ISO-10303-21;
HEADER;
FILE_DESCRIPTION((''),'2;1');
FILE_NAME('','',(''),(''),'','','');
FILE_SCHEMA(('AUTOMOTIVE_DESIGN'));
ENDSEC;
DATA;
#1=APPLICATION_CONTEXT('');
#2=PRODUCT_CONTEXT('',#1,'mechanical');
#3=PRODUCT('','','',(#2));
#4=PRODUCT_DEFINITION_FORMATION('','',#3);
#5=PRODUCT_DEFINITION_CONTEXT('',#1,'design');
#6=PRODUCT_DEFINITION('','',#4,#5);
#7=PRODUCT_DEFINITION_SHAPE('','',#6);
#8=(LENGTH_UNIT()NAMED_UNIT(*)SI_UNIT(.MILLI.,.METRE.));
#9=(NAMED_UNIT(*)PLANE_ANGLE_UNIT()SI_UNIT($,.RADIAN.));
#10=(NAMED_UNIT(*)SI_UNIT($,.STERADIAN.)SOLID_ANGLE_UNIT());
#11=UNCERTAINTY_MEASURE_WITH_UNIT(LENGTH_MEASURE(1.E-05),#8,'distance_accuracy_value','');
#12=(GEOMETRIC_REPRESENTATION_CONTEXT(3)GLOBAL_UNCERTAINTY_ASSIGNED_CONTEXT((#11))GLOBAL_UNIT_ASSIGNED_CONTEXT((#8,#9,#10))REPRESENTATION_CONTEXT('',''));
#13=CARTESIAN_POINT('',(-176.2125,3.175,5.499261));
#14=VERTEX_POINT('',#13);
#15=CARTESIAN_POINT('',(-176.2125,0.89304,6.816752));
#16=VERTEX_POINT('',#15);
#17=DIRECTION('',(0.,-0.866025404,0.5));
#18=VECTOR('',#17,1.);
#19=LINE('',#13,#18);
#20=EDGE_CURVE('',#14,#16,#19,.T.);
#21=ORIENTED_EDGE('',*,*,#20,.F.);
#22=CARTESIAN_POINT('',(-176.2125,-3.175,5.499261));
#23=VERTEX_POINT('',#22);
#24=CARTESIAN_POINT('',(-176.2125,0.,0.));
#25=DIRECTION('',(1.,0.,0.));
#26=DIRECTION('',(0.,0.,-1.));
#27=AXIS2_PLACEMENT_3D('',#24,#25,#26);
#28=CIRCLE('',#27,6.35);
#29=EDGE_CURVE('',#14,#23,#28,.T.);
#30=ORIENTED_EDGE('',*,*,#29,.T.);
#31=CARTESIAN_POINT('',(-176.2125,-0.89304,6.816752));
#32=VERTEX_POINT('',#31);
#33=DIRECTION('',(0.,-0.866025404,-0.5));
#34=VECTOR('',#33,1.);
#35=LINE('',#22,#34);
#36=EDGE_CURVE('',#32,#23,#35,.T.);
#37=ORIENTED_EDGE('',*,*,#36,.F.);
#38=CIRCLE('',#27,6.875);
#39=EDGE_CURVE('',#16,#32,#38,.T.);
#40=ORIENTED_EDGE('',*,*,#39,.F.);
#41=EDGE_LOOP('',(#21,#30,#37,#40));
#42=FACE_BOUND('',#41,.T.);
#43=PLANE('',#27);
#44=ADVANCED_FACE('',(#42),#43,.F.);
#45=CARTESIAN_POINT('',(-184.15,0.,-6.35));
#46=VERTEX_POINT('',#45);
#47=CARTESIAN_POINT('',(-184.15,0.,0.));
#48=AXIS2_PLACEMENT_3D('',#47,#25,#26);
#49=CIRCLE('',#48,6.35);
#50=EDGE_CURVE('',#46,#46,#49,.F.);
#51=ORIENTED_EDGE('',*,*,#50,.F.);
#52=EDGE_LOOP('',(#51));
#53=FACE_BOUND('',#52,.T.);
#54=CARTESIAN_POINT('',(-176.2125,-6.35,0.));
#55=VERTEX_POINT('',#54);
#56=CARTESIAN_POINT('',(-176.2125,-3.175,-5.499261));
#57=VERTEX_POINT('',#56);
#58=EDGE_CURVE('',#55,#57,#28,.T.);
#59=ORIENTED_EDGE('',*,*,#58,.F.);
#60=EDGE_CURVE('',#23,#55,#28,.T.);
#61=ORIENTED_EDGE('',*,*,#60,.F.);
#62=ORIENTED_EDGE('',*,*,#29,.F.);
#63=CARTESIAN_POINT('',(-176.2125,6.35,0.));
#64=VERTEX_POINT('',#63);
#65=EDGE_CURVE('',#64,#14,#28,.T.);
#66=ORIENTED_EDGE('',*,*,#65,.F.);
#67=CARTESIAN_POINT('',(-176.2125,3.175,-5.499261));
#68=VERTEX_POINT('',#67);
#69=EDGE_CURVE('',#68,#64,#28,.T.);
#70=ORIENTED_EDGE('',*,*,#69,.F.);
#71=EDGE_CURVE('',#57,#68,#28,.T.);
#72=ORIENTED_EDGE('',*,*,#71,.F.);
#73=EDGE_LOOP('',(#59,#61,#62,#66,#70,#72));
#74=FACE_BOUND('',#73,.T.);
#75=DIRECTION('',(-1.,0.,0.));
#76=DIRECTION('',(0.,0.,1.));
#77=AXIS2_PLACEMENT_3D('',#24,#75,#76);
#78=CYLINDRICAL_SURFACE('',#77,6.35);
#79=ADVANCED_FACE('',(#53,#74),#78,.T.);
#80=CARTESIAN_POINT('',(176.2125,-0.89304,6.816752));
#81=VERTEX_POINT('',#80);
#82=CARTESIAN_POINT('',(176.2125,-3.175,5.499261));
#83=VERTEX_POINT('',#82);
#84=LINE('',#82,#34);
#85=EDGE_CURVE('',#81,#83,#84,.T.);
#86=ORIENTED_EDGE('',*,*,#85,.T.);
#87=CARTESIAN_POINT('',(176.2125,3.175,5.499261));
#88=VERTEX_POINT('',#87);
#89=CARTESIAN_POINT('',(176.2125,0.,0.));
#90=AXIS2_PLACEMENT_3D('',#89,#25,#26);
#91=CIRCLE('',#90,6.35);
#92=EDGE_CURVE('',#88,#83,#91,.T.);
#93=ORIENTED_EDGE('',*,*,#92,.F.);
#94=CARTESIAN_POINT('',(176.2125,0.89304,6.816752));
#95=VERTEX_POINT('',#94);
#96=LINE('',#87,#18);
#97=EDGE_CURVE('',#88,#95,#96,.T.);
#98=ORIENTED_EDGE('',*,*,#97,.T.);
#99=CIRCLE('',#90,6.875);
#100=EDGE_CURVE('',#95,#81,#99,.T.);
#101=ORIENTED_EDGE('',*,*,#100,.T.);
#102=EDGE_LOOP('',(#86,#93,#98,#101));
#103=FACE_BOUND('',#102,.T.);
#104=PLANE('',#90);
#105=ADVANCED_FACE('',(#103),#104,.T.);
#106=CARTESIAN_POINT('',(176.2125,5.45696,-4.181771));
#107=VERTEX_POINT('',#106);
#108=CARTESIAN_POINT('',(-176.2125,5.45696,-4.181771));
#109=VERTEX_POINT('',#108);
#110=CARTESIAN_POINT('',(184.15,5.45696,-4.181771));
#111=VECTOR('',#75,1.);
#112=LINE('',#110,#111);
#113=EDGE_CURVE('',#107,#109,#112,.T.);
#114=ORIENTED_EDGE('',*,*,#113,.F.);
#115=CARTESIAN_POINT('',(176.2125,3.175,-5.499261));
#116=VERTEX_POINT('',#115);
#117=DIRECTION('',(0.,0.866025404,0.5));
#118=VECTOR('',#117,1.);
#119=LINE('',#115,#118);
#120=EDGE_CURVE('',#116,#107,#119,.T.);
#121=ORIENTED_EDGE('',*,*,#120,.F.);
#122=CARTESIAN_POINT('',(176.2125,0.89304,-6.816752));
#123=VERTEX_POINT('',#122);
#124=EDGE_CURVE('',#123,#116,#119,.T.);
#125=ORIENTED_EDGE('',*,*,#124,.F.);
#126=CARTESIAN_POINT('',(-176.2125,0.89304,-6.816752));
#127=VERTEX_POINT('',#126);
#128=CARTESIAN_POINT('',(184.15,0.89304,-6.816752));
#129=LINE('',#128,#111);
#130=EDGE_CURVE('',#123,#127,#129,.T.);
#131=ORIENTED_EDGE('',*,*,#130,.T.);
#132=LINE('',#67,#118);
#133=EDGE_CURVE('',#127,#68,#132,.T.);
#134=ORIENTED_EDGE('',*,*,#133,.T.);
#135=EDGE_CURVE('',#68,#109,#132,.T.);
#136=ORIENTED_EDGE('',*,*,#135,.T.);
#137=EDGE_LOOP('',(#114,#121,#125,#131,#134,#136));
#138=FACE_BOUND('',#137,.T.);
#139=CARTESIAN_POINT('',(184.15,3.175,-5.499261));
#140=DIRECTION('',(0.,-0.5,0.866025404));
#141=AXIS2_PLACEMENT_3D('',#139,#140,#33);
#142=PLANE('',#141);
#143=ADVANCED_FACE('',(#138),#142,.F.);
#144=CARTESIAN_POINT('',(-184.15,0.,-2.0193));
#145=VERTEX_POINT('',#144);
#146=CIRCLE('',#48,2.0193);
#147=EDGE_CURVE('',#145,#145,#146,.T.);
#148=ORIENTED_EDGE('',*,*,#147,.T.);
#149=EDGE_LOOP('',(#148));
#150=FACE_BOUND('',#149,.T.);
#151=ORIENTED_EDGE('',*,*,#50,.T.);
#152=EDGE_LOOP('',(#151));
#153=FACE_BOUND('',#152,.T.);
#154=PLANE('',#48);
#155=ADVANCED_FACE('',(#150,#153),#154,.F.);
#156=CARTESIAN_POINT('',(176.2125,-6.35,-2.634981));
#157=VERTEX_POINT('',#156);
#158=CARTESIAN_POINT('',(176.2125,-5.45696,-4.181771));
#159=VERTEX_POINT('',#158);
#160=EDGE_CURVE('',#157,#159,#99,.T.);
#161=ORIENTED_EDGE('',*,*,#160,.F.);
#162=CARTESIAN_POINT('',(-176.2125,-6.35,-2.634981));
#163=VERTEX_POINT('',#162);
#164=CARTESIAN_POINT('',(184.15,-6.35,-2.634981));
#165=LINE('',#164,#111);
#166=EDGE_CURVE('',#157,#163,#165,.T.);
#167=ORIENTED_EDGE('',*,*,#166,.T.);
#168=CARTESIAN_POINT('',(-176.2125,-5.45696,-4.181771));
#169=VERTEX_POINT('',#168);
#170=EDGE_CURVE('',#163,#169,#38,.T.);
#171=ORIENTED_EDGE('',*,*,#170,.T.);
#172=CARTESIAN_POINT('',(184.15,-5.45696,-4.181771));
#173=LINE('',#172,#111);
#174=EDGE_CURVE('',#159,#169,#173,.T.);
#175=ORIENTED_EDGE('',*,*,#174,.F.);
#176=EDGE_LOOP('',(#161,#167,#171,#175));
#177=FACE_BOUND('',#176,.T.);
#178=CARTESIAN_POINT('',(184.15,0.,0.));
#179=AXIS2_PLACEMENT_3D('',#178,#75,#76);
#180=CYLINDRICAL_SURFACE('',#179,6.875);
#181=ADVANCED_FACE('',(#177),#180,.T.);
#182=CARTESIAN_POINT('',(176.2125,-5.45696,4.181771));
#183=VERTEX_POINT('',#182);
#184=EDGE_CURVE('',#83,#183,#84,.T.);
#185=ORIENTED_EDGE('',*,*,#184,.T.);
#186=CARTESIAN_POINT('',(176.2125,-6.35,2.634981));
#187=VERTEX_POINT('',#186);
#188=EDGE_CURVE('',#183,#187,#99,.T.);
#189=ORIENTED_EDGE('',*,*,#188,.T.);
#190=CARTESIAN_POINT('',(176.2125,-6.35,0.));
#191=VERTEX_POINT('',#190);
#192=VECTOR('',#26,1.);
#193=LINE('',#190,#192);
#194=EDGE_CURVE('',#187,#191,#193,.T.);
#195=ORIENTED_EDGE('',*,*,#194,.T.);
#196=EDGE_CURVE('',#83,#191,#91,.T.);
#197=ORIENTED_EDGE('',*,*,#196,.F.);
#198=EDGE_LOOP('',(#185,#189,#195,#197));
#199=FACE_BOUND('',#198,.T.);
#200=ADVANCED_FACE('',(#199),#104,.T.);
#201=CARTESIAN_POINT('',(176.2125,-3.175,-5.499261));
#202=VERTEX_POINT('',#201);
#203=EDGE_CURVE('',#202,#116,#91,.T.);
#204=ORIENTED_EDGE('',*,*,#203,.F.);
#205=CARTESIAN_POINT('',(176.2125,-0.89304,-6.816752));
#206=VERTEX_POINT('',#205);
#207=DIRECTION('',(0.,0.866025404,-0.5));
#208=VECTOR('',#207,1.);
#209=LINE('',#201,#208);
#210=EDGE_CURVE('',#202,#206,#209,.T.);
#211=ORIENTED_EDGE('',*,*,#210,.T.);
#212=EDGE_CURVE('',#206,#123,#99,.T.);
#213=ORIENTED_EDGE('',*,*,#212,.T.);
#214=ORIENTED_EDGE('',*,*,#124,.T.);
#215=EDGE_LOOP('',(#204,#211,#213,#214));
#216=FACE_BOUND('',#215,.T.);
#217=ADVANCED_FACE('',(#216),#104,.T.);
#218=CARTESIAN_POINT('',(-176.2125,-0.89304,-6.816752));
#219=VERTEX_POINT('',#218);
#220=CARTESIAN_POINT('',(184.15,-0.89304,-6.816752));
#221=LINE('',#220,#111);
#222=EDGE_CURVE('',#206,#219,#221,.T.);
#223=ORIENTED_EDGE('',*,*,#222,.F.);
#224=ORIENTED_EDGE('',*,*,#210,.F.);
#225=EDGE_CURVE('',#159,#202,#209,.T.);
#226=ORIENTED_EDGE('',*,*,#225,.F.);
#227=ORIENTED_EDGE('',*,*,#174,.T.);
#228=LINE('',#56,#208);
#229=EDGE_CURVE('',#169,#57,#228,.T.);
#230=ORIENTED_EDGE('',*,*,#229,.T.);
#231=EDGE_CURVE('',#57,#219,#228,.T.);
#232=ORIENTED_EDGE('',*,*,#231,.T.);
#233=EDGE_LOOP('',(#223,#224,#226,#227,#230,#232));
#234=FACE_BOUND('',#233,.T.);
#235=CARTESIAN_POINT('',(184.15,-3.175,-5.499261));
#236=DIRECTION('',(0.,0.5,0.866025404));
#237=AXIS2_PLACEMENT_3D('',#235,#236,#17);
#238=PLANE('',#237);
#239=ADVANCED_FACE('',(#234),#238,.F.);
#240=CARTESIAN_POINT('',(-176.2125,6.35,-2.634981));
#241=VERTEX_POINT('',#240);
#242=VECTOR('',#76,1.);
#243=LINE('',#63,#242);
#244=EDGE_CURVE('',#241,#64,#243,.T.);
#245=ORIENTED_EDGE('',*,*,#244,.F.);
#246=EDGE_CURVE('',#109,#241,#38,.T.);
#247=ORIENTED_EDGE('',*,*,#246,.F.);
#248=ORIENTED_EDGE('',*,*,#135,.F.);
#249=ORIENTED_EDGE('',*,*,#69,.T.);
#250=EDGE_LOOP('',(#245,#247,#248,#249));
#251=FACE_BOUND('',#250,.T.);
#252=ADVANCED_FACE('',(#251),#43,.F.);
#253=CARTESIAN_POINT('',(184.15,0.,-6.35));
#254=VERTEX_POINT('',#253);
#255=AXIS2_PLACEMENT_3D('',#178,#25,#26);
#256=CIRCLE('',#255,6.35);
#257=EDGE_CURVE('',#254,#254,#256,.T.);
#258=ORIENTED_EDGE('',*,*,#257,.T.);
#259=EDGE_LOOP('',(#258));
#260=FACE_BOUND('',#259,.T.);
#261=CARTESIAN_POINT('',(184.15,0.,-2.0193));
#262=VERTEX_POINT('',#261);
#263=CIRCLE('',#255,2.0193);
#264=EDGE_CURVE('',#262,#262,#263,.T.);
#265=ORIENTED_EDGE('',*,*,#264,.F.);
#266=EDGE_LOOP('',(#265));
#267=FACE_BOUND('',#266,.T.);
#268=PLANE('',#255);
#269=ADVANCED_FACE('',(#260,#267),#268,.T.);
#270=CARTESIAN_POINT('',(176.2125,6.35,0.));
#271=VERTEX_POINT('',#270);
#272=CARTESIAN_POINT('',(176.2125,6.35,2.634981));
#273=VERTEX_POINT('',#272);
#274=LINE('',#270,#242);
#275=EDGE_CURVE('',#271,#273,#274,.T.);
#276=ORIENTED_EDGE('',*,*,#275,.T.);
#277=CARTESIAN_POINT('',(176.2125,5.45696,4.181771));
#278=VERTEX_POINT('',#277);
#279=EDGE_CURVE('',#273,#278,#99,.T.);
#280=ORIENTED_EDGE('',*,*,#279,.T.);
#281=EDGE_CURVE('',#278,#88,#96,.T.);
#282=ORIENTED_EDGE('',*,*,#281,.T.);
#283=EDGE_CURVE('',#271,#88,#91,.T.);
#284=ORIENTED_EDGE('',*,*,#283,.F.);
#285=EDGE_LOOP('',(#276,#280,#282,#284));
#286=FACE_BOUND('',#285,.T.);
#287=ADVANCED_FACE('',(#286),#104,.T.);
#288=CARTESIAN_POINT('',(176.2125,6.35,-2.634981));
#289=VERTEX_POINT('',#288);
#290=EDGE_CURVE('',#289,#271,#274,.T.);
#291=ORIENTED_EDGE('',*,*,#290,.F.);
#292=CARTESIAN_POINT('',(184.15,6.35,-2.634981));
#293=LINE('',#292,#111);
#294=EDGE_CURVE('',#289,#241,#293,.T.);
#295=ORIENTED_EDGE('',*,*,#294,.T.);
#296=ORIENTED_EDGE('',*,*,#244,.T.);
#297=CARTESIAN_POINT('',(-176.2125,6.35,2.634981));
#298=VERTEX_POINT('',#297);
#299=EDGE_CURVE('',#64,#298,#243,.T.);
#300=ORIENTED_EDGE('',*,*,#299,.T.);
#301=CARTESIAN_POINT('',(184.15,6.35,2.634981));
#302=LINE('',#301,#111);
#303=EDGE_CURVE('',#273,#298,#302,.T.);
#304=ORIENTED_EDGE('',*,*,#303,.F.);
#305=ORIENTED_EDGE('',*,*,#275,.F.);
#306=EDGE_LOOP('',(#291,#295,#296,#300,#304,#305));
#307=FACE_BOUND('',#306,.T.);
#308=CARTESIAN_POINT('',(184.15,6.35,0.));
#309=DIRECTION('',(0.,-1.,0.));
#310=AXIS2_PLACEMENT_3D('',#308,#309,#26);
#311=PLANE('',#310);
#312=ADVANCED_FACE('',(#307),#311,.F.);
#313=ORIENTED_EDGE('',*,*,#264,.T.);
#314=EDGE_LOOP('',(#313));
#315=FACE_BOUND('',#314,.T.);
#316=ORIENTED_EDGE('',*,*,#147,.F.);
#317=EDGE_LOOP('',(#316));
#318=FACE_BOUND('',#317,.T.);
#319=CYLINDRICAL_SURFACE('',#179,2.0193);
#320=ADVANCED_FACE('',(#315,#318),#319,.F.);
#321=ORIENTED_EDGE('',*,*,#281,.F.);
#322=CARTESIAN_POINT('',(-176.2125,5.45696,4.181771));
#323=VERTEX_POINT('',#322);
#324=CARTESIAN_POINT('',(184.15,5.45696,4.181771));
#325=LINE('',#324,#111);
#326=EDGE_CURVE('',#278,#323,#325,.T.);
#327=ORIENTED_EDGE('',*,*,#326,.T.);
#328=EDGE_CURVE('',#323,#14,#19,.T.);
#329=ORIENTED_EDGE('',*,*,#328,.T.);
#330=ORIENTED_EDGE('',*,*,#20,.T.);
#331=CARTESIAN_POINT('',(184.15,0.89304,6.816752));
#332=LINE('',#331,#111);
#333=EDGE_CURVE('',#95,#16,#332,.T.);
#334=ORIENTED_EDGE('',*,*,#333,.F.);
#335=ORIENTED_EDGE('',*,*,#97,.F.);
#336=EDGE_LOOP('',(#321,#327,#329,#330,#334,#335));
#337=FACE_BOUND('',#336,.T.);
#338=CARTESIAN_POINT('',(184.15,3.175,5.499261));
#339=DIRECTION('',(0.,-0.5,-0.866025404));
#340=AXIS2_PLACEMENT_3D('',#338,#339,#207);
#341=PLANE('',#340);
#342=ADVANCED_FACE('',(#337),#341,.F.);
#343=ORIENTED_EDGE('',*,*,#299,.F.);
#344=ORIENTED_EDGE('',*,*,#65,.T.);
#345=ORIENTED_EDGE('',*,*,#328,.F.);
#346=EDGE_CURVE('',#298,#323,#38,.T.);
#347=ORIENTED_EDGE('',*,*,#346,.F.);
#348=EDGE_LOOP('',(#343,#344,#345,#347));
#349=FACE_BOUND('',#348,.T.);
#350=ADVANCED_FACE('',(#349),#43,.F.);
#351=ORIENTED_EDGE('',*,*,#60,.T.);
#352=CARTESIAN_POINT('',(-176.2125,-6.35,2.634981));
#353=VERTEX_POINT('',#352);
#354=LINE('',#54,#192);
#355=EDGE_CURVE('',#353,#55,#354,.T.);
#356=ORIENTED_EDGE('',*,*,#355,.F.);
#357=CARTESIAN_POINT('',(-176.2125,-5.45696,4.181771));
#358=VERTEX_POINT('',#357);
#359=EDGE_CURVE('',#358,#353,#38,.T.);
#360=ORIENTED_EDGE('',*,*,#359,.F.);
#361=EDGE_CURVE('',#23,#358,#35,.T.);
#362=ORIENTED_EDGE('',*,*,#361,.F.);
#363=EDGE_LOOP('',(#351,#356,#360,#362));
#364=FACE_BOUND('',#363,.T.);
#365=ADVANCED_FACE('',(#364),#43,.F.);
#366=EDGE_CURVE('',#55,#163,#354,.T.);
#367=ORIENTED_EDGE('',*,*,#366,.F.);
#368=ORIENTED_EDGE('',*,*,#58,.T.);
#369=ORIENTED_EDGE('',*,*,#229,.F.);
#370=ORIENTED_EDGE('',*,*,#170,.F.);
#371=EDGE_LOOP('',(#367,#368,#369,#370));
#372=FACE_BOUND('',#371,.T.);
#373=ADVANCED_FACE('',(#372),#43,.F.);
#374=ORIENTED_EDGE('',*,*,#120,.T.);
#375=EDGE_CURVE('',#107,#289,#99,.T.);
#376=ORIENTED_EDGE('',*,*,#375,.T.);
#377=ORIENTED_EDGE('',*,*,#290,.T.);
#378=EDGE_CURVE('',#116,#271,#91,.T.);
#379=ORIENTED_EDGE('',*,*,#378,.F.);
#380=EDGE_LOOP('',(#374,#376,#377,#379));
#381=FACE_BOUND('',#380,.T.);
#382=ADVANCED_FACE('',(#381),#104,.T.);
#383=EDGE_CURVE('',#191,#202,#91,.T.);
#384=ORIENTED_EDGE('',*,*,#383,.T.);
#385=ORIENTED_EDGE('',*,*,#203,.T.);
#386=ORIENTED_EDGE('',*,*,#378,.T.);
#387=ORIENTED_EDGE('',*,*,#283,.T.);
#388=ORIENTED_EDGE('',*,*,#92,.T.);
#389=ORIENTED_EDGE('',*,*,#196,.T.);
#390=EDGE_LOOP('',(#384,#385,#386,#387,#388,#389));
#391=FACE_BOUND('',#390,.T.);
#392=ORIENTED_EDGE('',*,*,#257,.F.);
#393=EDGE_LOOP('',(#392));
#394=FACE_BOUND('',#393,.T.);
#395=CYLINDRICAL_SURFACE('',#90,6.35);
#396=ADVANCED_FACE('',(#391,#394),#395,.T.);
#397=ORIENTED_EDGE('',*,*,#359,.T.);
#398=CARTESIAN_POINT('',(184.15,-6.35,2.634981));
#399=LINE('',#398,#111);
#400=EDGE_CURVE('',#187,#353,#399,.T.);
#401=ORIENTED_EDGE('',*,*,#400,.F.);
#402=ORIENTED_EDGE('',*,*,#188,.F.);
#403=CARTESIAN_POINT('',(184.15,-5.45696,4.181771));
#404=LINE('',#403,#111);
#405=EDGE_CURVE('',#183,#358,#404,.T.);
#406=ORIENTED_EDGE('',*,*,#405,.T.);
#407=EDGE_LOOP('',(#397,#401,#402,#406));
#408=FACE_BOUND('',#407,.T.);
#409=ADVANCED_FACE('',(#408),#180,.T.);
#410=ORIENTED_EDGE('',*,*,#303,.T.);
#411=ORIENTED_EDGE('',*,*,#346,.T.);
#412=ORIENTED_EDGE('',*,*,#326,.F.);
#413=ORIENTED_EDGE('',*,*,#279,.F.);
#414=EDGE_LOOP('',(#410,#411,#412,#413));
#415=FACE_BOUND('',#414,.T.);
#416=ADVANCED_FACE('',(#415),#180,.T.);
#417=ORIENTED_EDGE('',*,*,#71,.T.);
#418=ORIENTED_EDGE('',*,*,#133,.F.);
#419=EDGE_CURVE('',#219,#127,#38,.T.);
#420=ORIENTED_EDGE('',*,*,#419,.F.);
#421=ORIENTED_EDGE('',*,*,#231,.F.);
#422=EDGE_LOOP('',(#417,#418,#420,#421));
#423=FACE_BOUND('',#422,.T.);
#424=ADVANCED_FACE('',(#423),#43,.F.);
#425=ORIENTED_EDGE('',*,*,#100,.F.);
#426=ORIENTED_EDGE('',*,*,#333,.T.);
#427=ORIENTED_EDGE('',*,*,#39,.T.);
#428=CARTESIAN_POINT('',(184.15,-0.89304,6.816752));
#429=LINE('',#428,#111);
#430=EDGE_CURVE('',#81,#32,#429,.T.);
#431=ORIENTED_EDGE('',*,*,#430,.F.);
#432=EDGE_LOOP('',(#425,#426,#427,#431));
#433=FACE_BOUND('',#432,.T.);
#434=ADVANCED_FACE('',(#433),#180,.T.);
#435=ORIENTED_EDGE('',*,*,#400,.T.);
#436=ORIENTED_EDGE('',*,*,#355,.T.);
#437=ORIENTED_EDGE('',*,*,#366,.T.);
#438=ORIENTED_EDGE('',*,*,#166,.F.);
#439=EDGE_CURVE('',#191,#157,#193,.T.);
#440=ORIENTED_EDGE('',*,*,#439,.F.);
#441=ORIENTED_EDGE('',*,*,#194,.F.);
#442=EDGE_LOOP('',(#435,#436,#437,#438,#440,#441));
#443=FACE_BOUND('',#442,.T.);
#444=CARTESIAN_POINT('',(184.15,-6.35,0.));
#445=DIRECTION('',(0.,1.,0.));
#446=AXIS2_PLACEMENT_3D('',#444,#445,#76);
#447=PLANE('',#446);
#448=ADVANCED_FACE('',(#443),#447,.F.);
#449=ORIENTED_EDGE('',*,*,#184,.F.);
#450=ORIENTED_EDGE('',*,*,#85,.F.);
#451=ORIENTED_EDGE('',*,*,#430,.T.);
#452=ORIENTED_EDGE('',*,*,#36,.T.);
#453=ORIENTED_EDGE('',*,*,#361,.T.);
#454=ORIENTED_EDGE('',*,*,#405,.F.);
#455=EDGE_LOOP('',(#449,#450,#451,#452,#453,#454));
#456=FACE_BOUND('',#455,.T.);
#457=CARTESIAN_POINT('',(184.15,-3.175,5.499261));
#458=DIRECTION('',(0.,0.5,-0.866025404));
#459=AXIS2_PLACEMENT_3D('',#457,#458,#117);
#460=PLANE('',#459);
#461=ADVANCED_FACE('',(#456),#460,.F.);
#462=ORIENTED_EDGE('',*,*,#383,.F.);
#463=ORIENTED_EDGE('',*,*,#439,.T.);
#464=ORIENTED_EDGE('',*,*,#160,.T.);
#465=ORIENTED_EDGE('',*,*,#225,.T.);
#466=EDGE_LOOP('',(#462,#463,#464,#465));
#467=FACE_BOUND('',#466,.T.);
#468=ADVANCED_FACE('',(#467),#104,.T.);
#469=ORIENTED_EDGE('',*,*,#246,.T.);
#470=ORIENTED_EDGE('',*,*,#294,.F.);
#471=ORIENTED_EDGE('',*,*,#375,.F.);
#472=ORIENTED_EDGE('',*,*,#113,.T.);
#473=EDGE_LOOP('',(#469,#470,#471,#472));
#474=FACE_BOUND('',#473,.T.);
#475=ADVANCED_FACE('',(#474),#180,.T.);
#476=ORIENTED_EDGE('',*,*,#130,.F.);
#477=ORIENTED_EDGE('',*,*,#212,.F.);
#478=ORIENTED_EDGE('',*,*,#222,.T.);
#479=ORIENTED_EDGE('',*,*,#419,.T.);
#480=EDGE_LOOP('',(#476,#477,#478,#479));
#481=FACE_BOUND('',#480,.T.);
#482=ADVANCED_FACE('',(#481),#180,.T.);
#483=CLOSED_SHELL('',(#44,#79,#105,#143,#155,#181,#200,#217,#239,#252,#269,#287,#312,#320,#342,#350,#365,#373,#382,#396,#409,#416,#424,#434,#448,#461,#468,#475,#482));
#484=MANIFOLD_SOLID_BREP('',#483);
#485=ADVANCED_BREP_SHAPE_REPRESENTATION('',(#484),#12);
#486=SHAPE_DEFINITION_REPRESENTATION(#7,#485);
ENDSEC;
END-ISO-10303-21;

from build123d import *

# Parameters (mm, degrees)
SKETCH1_R               = 2.0193
BOSS_EXTRUDE1_DEPTH     = 184.15
SKETCH2_R               = 8.89
SKETCH2_R_2             = 6.35
CUT_EXTRUDE_THIN1_DEPTH = 7.9375


with BuildPart() as part:
    # Sketch1 → Boss-Extrude1 (new, symmetric)
    with BuildSketch(Plane(origin=(0, 0, 0), x_dir=(0, 0, -1), z_dir=(1, 0, 0))):
        with BuildLine():
            ThreePointArc((4.181770846, 5.456960429), (3.437499983, 5.953924622), (2.634980936, 6.35))
            Line((2.634980936, 6.35), (-2.634980936, 6.35))
            ThreePointArc((-2.634980936, 6.35), (-3.437499983, 5.953924622), (-4.181770846, 5.456960429))
            Line((-4.181770846, 5.456960429), (-6.816751782, 0.893039571))
            ThreePointArc((-6.816751782, 0.893039571), (-6.874999966, 0), (-6.816751782, -0.893039571))
            Line((-6.816751782, -0.893039571), (-4.181770846, -5.456960429))
            ThreePointArc((-4.181770846, -5.456960429), (-3.437499983, -5.953924622), (-2.634980936, -6.35))
            Line((-2.634980936, -6.35), (2.634980936, -6.35))
            ThreePointArc((2.634980936, -6.35), (3.437499983, -5.953924622), (4.181770846, -5.456960429))
            Line((4.181770846, -5.456960429), (6.816751782, -0.893039571))
            ThreePointArc((6.816751782, -0.893039571), (6.860422465, -0.447468582), (6.874999966, 0))
            ThreePointArc((6.874999966, 0), (6.860422465, 0.447468582), (6.816751782, 0.893039571))
            Line((6.816751782, 0.893039571), (4.181770846, 5.456960429))
        make_face()
        Circle(SKETCH1_R, mode=Mode.SUBTRACT)
    extrude(amount=BOSS_EXTRUDE1_DEPTH, both=True)

    # Sketch2 → Cut-Extrude-Thin1 (cut)
    with BuildSketch(Plane(origin=(184.15, 0, 0), x_dir=(0, 0, -1), z_dir=(1, 0, 0))):
        Circle(SKETCH2_R)
        Circle(SKETCH2_R_2, mode=Mode.SUBTRACT)
    cut_extrude_thin1 = extrude(amount=-CUT_EXTRUDE_THIN1_DEPTH, mode=Mode.SUBTRACT)

    # Mirror1: Cut-Extrude-Thin1 across plane
    add(cut_extrude_thin1.mirror(Plane(origin=(0, 0, 0), x_dir=(0, 0, 1), z_dir=(1, 0, 0))), mode=Mode.SUBTRACT)


solid = part.part
